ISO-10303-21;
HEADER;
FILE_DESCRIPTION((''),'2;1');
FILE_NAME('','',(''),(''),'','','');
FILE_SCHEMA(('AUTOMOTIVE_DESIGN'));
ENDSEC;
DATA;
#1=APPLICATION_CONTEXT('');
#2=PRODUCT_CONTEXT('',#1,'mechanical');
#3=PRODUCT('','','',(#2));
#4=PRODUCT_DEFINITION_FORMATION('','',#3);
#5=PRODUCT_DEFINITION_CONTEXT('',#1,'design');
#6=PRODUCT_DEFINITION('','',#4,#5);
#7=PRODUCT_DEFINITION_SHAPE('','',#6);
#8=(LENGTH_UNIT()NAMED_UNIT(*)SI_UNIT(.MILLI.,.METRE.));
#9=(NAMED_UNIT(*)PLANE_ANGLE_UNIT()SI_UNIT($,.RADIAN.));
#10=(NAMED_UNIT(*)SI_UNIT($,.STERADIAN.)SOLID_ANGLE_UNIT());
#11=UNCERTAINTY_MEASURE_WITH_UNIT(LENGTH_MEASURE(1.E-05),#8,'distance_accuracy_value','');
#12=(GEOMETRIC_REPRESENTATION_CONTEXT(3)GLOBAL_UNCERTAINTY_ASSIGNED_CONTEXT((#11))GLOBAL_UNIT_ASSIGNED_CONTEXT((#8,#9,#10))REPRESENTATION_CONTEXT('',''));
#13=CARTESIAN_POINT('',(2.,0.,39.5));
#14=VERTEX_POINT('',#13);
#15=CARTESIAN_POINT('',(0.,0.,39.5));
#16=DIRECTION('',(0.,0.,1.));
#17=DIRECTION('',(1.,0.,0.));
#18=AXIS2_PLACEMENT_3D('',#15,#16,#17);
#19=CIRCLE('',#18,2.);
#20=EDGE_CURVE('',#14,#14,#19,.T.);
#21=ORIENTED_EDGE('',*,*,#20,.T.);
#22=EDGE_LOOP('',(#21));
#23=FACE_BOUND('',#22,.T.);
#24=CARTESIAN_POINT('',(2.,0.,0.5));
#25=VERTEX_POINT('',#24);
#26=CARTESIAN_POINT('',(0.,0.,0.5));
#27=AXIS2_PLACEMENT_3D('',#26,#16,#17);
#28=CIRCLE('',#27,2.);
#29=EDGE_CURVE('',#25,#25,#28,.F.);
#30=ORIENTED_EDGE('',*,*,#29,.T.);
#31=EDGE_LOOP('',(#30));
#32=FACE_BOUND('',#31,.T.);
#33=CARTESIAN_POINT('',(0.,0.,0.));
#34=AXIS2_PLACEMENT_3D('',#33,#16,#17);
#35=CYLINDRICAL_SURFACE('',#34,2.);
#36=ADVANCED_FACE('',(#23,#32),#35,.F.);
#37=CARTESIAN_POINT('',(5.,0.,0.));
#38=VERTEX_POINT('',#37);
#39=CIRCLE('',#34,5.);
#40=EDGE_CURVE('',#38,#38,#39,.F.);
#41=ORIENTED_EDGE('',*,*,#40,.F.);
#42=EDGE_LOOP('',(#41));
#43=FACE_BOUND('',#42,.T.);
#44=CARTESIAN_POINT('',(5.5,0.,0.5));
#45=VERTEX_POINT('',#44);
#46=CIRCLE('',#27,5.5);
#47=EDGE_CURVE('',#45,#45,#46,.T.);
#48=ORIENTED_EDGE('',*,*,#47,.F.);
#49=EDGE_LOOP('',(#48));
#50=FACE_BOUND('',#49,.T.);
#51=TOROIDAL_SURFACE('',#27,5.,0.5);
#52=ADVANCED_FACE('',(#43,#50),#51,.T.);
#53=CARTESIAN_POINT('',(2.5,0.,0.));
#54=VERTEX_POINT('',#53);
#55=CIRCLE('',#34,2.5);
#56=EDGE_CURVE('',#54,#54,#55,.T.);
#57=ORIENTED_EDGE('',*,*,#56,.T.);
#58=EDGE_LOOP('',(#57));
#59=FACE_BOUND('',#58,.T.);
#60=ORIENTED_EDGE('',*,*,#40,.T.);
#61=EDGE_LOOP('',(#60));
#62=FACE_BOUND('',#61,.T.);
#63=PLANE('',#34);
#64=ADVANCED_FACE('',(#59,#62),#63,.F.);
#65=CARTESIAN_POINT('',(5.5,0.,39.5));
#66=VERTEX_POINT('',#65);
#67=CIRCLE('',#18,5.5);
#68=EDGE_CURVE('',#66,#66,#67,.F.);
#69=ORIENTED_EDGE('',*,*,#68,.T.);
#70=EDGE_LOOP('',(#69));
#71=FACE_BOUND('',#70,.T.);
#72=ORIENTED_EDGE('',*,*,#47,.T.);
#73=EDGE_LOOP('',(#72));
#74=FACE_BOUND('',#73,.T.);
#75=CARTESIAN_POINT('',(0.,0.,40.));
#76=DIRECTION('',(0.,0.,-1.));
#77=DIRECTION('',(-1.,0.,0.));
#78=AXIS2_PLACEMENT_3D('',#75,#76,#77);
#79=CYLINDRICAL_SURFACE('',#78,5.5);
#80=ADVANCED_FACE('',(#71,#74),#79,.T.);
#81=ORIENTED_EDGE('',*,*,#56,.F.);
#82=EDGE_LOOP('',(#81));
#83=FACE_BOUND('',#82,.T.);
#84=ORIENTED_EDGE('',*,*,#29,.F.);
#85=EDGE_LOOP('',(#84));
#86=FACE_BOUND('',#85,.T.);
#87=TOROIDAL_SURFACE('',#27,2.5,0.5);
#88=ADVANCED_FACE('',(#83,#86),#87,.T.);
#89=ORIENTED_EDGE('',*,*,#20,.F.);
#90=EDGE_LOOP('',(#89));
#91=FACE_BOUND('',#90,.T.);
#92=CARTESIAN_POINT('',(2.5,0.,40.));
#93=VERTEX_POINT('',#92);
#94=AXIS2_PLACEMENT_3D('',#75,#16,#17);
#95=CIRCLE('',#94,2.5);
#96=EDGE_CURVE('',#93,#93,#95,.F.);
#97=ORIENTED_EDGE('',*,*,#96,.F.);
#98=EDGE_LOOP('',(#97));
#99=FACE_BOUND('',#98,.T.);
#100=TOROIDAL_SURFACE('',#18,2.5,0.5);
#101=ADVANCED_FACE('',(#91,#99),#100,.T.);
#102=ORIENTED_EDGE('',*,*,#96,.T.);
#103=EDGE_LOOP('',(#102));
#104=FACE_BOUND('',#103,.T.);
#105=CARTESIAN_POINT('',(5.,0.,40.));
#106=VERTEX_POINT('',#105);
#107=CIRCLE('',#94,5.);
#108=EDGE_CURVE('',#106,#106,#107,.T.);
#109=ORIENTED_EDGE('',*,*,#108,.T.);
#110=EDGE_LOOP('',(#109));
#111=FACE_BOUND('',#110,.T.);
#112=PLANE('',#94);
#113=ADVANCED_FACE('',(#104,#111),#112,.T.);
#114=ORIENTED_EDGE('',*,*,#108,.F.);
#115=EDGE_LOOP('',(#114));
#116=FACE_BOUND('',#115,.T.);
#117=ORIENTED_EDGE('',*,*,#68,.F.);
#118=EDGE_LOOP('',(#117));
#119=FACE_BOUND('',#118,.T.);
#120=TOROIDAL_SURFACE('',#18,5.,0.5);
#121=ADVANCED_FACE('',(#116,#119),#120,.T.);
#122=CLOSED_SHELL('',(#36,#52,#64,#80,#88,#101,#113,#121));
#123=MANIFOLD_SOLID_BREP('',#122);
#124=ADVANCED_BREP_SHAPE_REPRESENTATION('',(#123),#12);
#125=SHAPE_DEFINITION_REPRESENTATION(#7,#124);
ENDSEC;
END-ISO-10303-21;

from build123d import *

# Parameters (mm, degrees)
SKETCH1_R           = 5.5
BOSS_EXTRUDE1_DEPTH = 40
SKETCH2_R           = 2
CUT_EXTRUDE1_DEPTH  = 41
FILLET1_R           = 0.5


with BuildPart() as part:
    # Sketch1 → Boss-Extrude1 (new body)
    with BuildSketch(Plane.XY):
        Circle(SKETCH1_R)
    extrude(amount=BOSS_EXTRUDE1_DEPTH)

    # Sketch2 → Cut-Extrude1 (cut, through all)
    with BuildSketch(Plane.XY.offset(40)):
        Circle(SKETCH2_R)
    extrude(amount=-CUT_EXTRUDE1_DEPTH, mode=Mode.SUBTRACT)

    # Fillet1
    fillet1_edges = [part.edges().sort_by_distance(p)[0] for p in [
        (-5.5, 0, 0),
        (-5.5, 0, 40),
        (-2, 0, 0),
        (-2, 0, 40),
    ]]
    fillet(fillet1_edges, radius=FILLET1_R)


solid = part.part
